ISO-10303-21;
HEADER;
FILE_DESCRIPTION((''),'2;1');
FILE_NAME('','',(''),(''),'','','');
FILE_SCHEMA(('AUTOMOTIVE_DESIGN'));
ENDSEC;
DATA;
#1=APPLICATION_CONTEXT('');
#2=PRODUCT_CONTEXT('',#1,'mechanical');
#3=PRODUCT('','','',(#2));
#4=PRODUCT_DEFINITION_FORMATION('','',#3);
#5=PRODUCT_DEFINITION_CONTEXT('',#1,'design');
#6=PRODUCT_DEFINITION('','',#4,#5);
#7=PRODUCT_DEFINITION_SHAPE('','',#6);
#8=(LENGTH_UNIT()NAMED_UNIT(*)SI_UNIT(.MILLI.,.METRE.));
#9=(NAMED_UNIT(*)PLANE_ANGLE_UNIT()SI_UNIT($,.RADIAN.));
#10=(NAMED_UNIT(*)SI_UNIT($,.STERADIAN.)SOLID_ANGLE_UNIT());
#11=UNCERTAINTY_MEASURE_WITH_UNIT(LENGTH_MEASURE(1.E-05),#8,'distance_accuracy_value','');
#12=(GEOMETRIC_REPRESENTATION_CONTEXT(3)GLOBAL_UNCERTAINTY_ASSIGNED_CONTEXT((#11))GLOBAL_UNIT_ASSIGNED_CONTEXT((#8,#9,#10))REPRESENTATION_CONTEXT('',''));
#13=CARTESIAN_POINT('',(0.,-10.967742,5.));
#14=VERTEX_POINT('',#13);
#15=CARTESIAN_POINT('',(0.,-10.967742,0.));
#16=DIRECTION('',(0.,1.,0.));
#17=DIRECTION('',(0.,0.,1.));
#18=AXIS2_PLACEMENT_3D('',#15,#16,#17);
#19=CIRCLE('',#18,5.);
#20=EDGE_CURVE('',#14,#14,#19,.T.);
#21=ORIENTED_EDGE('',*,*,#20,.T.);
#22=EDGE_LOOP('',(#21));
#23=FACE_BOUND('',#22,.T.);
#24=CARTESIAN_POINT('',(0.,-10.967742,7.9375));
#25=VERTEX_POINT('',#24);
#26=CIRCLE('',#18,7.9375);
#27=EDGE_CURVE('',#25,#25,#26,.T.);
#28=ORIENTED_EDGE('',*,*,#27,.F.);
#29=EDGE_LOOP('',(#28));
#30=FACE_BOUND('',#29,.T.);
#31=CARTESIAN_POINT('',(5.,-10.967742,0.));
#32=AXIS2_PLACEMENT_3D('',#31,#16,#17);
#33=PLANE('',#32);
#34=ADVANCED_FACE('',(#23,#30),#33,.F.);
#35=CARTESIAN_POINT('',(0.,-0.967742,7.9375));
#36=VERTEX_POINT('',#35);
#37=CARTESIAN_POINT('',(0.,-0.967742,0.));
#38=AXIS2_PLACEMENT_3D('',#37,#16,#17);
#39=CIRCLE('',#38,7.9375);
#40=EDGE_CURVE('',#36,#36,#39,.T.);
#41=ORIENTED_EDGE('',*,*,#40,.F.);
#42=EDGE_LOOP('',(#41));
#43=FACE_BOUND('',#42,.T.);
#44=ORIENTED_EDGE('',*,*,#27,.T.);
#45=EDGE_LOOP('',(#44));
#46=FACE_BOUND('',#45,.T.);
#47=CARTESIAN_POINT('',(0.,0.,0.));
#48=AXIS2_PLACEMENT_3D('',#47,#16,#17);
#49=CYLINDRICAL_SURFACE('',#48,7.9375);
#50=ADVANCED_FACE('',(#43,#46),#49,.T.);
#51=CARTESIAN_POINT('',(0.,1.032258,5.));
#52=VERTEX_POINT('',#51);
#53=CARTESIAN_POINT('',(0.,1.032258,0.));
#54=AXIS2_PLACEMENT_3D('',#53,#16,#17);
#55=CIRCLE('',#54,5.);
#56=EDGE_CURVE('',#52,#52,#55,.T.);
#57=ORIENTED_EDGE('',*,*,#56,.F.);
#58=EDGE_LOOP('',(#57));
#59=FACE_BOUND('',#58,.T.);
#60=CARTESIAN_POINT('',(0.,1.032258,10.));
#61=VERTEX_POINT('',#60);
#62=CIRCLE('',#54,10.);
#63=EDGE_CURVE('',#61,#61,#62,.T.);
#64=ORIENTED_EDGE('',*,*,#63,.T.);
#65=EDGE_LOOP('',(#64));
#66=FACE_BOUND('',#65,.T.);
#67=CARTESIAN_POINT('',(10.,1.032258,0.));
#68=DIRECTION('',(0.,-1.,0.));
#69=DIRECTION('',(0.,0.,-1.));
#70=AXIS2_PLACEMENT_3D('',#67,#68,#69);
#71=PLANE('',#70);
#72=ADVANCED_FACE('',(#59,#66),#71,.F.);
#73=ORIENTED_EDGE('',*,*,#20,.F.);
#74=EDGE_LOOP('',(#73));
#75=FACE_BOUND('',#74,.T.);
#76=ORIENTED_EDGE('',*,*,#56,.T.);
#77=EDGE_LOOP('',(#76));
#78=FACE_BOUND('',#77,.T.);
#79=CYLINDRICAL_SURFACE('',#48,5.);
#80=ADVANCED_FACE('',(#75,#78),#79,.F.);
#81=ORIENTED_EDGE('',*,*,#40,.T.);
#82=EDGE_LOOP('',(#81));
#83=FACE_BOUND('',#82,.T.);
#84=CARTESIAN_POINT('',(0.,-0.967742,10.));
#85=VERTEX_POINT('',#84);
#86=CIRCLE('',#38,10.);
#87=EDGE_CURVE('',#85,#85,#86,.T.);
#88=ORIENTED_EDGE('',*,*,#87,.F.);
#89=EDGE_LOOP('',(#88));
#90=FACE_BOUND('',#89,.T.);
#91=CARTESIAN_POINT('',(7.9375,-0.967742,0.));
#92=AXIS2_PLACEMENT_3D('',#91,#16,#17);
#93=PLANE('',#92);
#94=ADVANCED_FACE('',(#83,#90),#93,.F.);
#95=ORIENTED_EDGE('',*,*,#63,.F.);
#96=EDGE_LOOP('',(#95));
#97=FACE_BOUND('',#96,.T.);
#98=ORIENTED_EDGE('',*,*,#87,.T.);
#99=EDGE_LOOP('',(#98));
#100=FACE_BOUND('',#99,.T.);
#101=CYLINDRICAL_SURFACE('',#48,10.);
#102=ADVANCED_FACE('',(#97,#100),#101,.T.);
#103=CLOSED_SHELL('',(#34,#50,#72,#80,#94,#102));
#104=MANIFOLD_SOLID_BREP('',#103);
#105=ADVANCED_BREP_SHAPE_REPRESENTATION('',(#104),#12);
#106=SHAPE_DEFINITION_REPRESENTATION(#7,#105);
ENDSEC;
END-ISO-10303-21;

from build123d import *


with BuildPart() as part:
    # Sketch1 → Revolve1 (revolve)
    with BuildSketch(Plane.XY):
        Polygon((5, 1.032258065), (5, -10.967741935), (7.9375, -10.967741935), (7.9375, -0.967741935), (10, -0.967741935), (10, 1.032258065), align=None)
    revolve(axis=Axis((0, 0, 0), (0, -1, 0)))


solid = part.part
